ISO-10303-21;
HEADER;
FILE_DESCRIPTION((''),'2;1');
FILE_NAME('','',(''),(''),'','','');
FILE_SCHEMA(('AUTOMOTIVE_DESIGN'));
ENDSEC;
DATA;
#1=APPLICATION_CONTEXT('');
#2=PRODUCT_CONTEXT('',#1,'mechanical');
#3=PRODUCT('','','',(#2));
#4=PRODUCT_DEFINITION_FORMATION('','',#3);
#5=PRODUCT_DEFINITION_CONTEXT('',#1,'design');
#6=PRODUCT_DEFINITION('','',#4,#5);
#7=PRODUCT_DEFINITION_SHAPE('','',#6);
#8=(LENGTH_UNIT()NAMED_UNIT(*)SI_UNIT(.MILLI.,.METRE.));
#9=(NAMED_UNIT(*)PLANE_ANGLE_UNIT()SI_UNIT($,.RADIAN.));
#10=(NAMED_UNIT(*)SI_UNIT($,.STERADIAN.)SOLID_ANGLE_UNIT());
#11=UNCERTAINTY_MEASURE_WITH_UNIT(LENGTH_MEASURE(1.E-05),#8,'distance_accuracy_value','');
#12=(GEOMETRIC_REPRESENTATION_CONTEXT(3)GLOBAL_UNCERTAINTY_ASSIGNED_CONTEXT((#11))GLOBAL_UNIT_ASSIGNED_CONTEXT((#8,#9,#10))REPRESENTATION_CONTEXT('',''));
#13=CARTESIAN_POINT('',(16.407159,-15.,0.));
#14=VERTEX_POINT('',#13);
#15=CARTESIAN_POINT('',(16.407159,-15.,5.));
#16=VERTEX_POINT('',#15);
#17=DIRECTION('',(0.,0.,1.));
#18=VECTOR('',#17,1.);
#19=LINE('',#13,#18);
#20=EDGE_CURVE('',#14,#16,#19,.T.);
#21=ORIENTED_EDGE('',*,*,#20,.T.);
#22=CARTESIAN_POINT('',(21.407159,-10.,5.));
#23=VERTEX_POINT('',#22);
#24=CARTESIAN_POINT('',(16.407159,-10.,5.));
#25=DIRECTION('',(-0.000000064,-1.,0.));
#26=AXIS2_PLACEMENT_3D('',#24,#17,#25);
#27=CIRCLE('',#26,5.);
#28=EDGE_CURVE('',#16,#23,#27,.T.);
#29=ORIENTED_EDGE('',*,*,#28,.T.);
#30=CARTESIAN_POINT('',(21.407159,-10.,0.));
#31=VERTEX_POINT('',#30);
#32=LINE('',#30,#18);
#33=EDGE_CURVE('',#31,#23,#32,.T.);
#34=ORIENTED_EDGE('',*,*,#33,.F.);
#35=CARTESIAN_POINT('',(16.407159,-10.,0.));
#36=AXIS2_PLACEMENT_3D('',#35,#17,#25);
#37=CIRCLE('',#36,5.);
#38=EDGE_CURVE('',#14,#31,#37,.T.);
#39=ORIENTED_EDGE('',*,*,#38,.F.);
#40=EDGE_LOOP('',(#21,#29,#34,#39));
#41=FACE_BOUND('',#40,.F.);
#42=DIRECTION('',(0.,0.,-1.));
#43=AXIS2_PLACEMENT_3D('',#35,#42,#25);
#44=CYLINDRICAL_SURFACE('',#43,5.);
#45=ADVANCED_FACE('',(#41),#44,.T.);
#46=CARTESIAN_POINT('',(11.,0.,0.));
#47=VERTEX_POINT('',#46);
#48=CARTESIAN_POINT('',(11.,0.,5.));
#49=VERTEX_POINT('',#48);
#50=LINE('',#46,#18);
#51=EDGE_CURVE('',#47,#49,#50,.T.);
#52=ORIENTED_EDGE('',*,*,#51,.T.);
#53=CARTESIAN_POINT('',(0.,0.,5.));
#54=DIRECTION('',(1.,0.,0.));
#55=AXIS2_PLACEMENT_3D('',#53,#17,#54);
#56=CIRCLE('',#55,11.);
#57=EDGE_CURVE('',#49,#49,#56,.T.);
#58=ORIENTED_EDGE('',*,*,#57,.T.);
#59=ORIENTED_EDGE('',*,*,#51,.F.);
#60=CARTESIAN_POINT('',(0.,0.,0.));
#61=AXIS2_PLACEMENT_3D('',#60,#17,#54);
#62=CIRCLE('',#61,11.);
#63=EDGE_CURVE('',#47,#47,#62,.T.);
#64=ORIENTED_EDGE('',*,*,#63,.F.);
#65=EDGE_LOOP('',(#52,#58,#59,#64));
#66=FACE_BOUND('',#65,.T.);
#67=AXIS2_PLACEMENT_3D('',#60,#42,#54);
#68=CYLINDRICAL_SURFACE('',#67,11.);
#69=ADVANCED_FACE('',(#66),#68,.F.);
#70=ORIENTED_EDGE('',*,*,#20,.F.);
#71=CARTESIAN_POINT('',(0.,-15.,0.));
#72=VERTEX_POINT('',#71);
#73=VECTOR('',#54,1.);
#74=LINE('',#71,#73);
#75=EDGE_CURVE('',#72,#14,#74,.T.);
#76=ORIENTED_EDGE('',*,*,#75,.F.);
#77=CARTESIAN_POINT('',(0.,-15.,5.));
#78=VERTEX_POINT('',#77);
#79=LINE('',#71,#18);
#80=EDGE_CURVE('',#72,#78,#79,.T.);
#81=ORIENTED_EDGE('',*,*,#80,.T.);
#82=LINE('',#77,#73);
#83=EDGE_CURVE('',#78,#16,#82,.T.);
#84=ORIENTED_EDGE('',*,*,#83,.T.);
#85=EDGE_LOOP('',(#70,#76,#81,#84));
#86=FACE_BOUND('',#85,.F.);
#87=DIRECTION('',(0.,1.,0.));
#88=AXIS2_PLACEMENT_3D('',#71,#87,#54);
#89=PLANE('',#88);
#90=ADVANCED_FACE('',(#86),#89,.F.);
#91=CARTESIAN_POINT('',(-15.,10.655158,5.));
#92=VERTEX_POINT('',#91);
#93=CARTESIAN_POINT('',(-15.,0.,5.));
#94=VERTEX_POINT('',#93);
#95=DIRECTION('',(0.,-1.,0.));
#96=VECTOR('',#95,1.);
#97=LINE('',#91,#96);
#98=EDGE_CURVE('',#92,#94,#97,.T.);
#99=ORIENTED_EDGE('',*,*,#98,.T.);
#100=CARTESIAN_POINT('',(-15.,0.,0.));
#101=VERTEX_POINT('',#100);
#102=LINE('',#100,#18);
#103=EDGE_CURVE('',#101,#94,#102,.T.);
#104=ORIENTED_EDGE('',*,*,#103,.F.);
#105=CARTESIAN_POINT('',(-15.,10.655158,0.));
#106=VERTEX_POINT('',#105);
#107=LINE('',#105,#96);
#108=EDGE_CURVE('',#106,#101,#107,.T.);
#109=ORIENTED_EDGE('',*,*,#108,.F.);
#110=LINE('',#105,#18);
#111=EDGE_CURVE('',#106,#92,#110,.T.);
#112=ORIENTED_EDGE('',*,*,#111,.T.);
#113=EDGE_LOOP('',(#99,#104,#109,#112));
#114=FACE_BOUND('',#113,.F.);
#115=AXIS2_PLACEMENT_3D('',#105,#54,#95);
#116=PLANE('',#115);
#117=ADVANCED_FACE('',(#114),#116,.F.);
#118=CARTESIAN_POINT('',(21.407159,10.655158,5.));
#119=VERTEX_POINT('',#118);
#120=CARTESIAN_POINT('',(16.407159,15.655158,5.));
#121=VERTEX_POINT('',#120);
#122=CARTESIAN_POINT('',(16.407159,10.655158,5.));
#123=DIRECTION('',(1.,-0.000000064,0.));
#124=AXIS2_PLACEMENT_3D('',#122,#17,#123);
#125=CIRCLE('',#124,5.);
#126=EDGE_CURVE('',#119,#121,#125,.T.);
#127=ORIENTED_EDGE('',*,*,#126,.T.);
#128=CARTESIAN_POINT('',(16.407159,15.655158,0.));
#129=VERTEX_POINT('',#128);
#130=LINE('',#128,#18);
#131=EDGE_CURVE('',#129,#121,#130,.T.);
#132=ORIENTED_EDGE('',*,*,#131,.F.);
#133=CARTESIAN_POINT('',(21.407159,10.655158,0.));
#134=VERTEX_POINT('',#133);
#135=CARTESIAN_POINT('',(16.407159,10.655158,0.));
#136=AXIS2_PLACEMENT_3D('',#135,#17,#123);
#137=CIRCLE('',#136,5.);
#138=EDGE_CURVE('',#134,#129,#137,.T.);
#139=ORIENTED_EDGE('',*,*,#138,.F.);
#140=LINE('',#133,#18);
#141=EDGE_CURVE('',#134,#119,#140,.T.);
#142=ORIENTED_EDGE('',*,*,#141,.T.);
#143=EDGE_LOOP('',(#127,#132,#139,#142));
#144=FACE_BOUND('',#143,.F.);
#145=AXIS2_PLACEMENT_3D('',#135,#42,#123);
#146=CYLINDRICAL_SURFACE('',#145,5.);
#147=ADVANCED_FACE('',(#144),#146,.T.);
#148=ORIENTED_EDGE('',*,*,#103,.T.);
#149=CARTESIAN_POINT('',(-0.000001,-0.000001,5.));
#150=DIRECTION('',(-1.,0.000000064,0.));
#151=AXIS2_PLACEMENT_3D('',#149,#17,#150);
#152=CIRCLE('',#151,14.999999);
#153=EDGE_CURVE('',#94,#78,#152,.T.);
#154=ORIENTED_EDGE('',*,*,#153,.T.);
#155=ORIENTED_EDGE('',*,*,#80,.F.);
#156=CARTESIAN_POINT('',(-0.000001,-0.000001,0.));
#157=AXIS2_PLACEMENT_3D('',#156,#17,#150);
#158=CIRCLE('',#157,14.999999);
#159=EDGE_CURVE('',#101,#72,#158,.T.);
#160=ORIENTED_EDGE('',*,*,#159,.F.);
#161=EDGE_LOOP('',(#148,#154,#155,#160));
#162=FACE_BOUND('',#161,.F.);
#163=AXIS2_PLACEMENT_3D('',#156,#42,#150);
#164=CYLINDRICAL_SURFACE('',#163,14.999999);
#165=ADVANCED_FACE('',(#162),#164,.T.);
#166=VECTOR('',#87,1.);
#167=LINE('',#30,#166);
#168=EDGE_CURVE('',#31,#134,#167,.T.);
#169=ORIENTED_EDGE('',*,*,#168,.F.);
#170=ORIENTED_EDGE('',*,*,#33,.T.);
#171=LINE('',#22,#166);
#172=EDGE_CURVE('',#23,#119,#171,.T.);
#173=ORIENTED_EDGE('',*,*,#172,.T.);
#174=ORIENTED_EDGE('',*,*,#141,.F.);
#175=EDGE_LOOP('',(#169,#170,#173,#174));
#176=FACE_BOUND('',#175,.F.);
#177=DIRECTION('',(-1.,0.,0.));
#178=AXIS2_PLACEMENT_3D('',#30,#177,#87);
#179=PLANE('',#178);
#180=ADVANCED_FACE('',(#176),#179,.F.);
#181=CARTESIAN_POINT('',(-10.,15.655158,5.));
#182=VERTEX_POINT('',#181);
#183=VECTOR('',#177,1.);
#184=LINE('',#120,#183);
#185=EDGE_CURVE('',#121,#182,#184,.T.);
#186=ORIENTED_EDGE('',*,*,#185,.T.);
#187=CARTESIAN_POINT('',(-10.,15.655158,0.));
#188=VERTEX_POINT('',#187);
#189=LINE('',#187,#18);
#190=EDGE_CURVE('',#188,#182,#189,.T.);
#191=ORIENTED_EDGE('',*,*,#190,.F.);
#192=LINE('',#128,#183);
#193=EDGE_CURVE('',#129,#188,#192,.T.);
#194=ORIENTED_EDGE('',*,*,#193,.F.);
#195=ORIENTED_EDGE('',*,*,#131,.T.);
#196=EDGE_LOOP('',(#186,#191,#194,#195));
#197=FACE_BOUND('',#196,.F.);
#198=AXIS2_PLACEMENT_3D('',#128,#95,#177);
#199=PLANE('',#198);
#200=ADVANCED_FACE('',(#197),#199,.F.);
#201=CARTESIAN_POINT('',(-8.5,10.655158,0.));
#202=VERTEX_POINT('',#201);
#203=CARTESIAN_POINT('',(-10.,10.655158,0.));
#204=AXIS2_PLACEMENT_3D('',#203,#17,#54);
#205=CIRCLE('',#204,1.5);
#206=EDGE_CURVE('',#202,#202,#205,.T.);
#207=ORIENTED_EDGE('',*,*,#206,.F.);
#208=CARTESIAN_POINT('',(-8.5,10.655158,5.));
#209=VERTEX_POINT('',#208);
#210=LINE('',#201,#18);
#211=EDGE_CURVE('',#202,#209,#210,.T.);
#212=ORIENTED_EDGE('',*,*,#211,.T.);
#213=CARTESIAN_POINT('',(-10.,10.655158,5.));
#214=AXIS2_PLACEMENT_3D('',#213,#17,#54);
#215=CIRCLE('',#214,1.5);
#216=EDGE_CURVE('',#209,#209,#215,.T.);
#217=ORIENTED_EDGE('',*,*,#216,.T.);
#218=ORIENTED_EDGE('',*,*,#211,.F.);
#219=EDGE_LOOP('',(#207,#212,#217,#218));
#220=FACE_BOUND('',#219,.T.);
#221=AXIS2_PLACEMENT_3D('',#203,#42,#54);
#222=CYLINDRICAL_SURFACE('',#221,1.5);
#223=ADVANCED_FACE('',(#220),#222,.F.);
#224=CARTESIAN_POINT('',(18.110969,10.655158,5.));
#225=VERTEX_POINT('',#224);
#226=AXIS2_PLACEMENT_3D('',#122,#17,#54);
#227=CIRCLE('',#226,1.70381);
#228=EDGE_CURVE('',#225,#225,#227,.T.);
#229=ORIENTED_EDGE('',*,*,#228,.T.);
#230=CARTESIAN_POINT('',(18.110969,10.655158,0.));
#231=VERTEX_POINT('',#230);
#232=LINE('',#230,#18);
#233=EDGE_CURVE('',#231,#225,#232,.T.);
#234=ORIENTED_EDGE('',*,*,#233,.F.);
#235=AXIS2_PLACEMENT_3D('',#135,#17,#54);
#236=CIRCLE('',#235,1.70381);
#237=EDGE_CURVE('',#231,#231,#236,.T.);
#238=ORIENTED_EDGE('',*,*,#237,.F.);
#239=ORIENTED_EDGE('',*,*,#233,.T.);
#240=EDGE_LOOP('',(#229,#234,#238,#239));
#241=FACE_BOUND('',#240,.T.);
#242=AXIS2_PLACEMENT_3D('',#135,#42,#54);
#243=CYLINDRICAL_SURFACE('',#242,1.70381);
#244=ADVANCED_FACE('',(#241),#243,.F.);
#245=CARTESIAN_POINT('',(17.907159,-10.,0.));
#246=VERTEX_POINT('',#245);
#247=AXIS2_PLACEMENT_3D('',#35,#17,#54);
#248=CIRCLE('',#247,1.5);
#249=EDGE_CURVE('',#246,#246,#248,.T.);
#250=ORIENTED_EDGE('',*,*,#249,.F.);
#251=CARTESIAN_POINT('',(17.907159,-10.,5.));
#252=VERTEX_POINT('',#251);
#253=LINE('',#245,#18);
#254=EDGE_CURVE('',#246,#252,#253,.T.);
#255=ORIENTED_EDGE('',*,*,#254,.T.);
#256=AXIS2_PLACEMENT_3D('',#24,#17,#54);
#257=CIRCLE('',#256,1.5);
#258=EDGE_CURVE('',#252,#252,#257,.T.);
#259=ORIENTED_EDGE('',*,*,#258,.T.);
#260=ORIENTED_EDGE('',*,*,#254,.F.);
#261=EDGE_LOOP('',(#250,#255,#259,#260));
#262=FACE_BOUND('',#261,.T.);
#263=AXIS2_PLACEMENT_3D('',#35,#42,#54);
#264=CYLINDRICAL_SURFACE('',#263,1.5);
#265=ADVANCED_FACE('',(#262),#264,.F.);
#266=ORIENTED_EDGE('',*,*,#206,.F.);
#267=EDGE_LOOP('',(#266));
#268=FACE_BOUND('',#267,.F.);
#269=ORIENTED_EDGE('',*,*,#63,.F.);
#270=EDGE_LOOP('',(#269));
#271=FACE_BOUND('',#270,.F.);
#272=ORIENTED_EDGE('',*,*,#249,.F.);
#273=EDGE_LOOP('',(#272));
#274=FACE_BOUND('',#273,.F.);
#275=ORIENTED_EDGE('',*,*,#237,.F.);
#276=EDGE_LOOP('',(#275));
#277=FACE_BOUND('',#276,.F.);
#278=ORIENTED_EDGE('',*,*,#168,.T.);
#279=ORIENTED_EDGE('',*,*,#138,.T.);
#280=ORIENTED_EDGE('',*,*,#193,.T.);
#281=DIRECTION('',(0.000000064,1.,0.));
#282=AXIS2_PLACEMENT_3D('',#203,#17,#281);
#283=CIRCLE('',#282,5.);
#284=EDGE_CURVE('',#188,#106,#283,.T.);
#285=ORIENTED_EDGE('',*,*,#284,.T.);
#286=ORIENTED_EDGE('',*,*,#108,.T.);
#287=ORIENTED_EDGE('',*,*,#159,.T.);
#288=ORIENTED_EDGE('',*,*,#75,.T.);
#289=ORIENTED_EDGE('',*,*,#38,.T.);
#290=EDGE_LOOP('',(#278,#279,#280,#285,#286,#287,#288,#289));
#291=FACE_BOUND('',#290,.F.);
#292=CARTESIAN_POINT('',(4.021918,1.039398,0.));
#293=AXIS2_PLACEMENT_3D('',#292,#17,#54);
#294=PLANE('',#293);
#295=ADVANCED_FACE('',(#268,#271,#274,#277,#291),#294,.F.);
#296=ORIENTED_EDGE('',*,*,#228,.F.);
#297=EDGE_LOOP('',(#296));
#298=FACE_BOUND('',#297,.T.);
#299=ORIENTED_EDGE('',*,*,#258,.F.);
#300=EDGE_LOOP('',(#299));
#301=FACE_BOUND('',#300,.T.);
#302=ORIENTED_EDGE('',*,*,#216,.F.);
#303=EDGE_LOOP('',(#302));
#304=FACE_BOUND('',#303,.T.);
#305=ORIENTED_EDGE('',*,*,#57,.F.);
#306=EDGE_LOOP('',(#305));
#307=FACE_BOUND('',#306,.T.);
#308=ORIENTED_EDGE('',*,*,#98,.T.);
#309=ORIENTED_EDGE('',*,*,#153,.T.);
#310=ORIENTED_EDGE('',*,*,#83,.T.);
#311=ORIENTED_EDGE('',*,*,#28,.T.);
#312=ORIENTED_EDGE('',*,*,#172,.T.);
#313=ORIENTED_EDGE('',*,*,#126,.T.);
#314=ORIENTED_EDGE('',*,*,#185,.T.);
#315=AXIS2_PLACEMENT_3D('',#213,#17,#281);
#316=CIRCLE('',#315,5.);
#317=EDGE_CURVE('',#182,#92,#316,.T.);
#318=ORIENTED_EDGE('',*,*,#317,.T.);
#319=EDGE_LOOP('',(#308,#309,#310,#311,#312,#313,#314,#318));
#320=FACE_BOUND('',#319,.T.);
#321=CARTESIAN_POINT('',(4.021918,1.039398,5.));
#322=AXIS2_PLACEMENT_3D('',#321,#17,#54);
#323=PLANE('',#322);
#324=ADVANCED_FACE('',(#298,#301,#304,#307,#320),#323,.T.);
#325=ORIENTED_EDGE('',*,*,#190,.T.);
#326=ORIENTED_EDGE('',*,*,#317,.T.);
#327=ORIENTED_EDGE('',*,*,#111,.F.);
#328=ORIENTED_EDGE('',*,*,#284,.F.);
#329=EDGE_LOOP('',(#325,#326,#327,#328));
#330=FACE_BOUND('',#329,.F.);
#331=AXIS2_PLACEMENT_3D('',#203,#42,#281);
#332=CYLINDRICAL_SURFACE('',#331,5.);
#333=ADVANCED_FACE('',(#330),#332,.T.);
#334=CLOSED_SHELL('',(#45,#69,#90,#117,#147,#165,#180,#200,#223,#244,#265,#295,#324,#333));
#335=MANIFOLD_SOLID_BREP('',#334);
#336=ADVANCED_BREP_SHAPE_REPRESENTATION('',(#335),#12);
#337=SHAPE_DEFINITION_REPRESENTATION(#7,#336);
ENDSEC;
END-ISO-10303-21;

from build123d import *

# Parameters (mm, degrees)
F0_R     = 11
F0_R_2   = 1.5
F0_R_3   = 1.70381
F1_DEPTH = 5


with BuildPart() as f1:
    # F0 (on Top) → F1 (new body)
    with BuildSketch(Plane.XY):
        with BuildLine():
            Line((0, -15), (16.407159, -15))
            ThreePointArc((16.407159, -15), (19.942693, -13.535534), (21.407159, -10))
            Line((21.407159, -10), (21.407159, 10.655158))
            ThreePointArc((21.407159, 10.655158), (19.942693, 14.190692), (16.407159, 15.655158))
            Line((16.407159, 15.655158), (-10, 15.655158))
            ThreePointArc((-10, 15.655158), (-13.535534, 14.190692), (-15, 10.655158))
            Line((-15, 10.655158), (-15, 0))
            ThreePointArc((-15, 0), (-10.606602, -10.606602), (0, -15))
        make_face()
        Circle(F0_R, mode=Mode.SUBTRACT)
        with Locations((16.407159, -10)):
            Circle(F0_R_2, mode=Mode.SUBTRACT)
        with Locations((-10, 10.655158)):
            Circle(F0_R_2, mode=Mode.SUBTRACT)
        with Locations((16.407159, 10.655158)):
            Circle(F0_R_3, mode=Mode.SUBTRACT)
    extrude(amount=F1_DEPTH)


solid = f1.part
